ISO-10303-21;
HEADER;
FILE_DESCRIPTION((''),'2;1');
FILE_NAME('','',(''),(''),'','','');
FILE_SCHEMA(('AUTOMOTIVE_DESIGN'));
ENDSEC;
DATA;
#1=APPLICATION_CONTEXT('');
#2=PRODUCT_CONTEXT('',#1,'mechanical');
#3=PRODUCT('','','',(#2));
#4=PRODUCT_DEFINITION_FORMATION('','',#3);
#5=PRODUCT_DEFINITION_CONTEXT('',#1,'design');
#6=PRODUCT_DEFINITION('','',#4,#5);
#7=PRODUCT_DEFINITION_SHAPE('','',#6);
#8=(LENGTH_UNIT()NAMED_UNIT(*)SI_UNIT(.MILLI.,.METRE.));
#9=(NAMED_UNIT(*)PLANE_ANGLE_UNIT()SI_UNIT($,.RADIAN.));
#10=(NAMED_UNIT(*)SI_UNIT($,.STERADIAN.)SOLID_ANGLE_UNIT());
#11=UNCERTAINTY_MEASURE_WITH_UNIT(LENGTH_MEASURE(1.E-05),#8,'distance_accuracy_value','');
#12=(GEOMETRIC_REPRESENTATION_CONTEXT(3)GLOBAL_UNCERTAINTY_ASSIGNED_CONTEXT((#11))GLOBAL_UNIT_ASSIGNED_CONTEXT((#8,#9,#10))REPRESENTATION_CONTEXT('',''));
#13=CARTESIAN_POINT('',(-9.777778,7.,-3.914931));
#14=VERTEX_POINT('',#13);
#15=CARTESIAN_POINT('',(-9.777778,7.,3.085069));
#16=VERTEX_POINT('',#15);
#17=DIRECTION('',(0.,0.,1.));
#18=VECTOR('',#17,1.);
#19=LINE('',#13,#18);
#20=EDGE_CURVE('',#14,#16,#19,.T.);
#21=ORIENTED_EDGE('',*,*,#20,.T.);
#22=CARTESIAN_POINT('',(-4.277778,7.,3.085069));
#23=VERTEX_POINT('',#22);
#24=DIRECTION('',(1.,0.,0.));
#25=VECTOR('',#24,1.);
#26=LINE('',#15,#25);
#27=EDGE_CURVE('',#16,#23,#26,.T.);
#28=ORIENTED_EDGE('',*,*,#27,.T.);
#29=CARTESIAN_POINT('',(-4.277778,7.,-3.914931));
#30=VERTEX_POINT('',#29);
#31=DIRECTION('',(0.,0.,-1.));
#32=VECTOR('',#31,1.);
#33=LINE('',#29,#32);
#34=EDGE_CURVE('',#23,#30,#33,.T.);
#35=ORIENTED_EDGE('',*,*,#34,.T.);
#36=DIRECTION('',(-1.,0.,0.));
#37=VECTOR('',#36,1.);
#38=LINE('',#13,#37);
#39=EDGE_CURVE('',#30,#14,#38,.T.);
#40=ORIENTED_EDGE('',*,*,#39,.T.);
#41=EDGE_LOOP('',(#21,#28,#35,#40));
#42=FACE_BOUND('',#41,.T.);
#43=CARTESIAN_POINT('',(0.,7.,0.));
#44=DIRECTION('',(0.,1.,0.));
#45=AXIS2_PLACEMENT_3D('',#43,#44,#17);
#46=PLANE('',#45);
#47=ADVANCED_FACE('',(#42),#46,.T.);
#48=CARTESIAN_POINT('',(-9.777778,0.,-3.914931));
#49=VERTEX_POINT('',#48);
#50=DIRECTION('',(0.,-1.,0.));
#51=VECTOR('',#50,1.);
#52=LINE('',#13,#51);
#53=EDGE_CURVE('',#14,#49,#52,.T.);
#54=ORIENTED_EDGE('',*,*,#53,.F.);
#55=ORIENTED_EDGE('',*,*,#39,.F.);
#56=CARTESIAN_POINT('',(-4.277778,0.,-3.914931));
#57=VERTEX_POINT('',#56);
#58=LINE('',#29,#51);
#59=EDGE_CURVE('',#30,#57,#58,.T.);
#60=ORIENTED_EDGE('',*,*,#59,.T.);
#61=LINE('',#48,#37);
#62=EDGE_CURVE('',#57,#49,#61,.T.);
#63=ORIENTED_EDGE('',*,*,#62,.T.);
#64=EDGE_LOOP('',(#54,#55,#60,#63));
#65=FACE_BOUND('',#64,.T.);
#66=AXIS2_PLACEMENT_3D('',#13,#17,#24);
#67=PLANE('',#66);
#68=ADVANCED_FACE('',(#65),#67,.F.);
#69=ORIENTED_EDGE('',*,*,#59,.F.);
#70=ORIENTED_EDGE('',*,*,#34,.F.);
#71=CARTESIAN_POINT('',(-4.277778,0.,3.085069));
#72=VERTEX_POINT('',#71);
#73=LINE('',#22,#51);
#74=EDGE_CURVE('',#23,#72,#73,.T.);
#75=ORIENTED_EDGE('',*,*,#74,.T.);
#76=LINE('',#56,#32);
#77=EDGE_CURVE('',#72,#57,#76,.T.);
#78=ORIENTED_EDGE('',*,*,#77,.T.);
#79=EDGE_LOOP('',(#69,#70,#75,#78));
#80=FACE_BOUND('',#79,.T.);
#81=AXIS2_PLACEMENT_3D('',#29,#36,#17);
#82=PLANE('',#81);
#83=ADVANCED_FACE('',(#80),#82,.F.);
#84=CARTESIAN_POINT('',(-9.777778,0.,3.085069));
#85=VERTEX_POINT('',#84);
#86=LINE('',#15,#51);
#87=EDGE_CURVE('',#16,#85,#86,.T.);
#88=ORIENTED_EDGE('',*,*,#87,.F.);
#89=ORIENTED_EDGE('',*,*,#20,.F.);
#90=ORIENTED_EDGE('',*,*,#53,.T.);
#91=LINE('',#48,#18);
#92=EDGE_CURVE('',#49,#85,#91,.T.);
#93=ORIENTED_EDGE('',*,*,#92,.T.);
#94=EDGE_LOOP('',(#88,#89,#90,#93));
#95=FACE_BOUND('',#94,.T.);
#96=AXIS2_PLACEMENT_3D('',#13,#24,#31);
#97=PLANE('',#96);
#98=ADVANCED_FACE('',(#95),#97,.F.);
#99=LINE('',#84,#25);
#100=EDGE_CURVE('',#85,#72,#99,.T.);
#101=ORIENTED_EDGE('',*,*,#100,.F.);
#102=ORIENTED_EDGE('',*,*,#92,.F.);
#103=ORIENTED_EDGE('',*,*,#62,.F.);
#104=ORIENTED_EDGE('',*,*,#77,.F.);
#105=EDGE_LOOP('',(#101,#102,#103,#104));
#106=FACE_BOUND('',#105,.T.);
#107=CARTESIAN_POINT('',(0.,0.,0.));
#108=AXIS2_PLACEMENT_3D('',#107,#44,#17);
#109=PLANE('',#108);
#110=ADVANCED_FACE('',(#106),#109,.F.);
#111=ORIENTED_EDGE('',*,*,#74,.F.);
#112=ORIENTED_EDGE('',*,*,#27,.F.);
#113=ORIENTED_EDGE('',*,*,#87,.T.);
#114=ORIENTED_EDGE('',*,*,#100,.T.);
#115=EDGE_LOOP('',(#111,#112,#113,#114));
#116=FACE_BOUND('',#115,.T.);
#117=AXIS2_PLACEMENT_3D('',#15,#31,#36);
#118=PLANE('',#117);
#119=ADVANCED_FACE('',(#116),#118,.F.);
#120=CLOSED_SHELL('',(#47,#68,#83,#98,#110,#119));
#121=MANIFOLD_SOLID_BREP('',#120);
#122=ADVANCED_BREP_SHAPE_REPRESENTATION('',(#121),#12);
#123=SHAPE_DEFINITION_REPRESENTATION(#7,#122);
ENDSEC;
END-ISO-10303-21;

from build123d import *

# Parameters (mm, degrees)
SKETCH_1_W      = 5.5
SKETCH_1_H      = 7
EXTRUDE_1_DEPTH = 7


with BuildPart() as part:
    # 草图1 → 凸台-拉伸1 (new body)
    with BuildSketch(Plane(origin=(0, 0, 0), x_dir=(1, 0, 0), z_dir=(0, 1, 0))):
        with Locations((-7.027777778, 0.414930556)):
            Rectangle(SKETCH_1_W, SKETCH_1_H)
    extrude(amount=EXTRUDE_1_DEPTH)


solid = part.part
